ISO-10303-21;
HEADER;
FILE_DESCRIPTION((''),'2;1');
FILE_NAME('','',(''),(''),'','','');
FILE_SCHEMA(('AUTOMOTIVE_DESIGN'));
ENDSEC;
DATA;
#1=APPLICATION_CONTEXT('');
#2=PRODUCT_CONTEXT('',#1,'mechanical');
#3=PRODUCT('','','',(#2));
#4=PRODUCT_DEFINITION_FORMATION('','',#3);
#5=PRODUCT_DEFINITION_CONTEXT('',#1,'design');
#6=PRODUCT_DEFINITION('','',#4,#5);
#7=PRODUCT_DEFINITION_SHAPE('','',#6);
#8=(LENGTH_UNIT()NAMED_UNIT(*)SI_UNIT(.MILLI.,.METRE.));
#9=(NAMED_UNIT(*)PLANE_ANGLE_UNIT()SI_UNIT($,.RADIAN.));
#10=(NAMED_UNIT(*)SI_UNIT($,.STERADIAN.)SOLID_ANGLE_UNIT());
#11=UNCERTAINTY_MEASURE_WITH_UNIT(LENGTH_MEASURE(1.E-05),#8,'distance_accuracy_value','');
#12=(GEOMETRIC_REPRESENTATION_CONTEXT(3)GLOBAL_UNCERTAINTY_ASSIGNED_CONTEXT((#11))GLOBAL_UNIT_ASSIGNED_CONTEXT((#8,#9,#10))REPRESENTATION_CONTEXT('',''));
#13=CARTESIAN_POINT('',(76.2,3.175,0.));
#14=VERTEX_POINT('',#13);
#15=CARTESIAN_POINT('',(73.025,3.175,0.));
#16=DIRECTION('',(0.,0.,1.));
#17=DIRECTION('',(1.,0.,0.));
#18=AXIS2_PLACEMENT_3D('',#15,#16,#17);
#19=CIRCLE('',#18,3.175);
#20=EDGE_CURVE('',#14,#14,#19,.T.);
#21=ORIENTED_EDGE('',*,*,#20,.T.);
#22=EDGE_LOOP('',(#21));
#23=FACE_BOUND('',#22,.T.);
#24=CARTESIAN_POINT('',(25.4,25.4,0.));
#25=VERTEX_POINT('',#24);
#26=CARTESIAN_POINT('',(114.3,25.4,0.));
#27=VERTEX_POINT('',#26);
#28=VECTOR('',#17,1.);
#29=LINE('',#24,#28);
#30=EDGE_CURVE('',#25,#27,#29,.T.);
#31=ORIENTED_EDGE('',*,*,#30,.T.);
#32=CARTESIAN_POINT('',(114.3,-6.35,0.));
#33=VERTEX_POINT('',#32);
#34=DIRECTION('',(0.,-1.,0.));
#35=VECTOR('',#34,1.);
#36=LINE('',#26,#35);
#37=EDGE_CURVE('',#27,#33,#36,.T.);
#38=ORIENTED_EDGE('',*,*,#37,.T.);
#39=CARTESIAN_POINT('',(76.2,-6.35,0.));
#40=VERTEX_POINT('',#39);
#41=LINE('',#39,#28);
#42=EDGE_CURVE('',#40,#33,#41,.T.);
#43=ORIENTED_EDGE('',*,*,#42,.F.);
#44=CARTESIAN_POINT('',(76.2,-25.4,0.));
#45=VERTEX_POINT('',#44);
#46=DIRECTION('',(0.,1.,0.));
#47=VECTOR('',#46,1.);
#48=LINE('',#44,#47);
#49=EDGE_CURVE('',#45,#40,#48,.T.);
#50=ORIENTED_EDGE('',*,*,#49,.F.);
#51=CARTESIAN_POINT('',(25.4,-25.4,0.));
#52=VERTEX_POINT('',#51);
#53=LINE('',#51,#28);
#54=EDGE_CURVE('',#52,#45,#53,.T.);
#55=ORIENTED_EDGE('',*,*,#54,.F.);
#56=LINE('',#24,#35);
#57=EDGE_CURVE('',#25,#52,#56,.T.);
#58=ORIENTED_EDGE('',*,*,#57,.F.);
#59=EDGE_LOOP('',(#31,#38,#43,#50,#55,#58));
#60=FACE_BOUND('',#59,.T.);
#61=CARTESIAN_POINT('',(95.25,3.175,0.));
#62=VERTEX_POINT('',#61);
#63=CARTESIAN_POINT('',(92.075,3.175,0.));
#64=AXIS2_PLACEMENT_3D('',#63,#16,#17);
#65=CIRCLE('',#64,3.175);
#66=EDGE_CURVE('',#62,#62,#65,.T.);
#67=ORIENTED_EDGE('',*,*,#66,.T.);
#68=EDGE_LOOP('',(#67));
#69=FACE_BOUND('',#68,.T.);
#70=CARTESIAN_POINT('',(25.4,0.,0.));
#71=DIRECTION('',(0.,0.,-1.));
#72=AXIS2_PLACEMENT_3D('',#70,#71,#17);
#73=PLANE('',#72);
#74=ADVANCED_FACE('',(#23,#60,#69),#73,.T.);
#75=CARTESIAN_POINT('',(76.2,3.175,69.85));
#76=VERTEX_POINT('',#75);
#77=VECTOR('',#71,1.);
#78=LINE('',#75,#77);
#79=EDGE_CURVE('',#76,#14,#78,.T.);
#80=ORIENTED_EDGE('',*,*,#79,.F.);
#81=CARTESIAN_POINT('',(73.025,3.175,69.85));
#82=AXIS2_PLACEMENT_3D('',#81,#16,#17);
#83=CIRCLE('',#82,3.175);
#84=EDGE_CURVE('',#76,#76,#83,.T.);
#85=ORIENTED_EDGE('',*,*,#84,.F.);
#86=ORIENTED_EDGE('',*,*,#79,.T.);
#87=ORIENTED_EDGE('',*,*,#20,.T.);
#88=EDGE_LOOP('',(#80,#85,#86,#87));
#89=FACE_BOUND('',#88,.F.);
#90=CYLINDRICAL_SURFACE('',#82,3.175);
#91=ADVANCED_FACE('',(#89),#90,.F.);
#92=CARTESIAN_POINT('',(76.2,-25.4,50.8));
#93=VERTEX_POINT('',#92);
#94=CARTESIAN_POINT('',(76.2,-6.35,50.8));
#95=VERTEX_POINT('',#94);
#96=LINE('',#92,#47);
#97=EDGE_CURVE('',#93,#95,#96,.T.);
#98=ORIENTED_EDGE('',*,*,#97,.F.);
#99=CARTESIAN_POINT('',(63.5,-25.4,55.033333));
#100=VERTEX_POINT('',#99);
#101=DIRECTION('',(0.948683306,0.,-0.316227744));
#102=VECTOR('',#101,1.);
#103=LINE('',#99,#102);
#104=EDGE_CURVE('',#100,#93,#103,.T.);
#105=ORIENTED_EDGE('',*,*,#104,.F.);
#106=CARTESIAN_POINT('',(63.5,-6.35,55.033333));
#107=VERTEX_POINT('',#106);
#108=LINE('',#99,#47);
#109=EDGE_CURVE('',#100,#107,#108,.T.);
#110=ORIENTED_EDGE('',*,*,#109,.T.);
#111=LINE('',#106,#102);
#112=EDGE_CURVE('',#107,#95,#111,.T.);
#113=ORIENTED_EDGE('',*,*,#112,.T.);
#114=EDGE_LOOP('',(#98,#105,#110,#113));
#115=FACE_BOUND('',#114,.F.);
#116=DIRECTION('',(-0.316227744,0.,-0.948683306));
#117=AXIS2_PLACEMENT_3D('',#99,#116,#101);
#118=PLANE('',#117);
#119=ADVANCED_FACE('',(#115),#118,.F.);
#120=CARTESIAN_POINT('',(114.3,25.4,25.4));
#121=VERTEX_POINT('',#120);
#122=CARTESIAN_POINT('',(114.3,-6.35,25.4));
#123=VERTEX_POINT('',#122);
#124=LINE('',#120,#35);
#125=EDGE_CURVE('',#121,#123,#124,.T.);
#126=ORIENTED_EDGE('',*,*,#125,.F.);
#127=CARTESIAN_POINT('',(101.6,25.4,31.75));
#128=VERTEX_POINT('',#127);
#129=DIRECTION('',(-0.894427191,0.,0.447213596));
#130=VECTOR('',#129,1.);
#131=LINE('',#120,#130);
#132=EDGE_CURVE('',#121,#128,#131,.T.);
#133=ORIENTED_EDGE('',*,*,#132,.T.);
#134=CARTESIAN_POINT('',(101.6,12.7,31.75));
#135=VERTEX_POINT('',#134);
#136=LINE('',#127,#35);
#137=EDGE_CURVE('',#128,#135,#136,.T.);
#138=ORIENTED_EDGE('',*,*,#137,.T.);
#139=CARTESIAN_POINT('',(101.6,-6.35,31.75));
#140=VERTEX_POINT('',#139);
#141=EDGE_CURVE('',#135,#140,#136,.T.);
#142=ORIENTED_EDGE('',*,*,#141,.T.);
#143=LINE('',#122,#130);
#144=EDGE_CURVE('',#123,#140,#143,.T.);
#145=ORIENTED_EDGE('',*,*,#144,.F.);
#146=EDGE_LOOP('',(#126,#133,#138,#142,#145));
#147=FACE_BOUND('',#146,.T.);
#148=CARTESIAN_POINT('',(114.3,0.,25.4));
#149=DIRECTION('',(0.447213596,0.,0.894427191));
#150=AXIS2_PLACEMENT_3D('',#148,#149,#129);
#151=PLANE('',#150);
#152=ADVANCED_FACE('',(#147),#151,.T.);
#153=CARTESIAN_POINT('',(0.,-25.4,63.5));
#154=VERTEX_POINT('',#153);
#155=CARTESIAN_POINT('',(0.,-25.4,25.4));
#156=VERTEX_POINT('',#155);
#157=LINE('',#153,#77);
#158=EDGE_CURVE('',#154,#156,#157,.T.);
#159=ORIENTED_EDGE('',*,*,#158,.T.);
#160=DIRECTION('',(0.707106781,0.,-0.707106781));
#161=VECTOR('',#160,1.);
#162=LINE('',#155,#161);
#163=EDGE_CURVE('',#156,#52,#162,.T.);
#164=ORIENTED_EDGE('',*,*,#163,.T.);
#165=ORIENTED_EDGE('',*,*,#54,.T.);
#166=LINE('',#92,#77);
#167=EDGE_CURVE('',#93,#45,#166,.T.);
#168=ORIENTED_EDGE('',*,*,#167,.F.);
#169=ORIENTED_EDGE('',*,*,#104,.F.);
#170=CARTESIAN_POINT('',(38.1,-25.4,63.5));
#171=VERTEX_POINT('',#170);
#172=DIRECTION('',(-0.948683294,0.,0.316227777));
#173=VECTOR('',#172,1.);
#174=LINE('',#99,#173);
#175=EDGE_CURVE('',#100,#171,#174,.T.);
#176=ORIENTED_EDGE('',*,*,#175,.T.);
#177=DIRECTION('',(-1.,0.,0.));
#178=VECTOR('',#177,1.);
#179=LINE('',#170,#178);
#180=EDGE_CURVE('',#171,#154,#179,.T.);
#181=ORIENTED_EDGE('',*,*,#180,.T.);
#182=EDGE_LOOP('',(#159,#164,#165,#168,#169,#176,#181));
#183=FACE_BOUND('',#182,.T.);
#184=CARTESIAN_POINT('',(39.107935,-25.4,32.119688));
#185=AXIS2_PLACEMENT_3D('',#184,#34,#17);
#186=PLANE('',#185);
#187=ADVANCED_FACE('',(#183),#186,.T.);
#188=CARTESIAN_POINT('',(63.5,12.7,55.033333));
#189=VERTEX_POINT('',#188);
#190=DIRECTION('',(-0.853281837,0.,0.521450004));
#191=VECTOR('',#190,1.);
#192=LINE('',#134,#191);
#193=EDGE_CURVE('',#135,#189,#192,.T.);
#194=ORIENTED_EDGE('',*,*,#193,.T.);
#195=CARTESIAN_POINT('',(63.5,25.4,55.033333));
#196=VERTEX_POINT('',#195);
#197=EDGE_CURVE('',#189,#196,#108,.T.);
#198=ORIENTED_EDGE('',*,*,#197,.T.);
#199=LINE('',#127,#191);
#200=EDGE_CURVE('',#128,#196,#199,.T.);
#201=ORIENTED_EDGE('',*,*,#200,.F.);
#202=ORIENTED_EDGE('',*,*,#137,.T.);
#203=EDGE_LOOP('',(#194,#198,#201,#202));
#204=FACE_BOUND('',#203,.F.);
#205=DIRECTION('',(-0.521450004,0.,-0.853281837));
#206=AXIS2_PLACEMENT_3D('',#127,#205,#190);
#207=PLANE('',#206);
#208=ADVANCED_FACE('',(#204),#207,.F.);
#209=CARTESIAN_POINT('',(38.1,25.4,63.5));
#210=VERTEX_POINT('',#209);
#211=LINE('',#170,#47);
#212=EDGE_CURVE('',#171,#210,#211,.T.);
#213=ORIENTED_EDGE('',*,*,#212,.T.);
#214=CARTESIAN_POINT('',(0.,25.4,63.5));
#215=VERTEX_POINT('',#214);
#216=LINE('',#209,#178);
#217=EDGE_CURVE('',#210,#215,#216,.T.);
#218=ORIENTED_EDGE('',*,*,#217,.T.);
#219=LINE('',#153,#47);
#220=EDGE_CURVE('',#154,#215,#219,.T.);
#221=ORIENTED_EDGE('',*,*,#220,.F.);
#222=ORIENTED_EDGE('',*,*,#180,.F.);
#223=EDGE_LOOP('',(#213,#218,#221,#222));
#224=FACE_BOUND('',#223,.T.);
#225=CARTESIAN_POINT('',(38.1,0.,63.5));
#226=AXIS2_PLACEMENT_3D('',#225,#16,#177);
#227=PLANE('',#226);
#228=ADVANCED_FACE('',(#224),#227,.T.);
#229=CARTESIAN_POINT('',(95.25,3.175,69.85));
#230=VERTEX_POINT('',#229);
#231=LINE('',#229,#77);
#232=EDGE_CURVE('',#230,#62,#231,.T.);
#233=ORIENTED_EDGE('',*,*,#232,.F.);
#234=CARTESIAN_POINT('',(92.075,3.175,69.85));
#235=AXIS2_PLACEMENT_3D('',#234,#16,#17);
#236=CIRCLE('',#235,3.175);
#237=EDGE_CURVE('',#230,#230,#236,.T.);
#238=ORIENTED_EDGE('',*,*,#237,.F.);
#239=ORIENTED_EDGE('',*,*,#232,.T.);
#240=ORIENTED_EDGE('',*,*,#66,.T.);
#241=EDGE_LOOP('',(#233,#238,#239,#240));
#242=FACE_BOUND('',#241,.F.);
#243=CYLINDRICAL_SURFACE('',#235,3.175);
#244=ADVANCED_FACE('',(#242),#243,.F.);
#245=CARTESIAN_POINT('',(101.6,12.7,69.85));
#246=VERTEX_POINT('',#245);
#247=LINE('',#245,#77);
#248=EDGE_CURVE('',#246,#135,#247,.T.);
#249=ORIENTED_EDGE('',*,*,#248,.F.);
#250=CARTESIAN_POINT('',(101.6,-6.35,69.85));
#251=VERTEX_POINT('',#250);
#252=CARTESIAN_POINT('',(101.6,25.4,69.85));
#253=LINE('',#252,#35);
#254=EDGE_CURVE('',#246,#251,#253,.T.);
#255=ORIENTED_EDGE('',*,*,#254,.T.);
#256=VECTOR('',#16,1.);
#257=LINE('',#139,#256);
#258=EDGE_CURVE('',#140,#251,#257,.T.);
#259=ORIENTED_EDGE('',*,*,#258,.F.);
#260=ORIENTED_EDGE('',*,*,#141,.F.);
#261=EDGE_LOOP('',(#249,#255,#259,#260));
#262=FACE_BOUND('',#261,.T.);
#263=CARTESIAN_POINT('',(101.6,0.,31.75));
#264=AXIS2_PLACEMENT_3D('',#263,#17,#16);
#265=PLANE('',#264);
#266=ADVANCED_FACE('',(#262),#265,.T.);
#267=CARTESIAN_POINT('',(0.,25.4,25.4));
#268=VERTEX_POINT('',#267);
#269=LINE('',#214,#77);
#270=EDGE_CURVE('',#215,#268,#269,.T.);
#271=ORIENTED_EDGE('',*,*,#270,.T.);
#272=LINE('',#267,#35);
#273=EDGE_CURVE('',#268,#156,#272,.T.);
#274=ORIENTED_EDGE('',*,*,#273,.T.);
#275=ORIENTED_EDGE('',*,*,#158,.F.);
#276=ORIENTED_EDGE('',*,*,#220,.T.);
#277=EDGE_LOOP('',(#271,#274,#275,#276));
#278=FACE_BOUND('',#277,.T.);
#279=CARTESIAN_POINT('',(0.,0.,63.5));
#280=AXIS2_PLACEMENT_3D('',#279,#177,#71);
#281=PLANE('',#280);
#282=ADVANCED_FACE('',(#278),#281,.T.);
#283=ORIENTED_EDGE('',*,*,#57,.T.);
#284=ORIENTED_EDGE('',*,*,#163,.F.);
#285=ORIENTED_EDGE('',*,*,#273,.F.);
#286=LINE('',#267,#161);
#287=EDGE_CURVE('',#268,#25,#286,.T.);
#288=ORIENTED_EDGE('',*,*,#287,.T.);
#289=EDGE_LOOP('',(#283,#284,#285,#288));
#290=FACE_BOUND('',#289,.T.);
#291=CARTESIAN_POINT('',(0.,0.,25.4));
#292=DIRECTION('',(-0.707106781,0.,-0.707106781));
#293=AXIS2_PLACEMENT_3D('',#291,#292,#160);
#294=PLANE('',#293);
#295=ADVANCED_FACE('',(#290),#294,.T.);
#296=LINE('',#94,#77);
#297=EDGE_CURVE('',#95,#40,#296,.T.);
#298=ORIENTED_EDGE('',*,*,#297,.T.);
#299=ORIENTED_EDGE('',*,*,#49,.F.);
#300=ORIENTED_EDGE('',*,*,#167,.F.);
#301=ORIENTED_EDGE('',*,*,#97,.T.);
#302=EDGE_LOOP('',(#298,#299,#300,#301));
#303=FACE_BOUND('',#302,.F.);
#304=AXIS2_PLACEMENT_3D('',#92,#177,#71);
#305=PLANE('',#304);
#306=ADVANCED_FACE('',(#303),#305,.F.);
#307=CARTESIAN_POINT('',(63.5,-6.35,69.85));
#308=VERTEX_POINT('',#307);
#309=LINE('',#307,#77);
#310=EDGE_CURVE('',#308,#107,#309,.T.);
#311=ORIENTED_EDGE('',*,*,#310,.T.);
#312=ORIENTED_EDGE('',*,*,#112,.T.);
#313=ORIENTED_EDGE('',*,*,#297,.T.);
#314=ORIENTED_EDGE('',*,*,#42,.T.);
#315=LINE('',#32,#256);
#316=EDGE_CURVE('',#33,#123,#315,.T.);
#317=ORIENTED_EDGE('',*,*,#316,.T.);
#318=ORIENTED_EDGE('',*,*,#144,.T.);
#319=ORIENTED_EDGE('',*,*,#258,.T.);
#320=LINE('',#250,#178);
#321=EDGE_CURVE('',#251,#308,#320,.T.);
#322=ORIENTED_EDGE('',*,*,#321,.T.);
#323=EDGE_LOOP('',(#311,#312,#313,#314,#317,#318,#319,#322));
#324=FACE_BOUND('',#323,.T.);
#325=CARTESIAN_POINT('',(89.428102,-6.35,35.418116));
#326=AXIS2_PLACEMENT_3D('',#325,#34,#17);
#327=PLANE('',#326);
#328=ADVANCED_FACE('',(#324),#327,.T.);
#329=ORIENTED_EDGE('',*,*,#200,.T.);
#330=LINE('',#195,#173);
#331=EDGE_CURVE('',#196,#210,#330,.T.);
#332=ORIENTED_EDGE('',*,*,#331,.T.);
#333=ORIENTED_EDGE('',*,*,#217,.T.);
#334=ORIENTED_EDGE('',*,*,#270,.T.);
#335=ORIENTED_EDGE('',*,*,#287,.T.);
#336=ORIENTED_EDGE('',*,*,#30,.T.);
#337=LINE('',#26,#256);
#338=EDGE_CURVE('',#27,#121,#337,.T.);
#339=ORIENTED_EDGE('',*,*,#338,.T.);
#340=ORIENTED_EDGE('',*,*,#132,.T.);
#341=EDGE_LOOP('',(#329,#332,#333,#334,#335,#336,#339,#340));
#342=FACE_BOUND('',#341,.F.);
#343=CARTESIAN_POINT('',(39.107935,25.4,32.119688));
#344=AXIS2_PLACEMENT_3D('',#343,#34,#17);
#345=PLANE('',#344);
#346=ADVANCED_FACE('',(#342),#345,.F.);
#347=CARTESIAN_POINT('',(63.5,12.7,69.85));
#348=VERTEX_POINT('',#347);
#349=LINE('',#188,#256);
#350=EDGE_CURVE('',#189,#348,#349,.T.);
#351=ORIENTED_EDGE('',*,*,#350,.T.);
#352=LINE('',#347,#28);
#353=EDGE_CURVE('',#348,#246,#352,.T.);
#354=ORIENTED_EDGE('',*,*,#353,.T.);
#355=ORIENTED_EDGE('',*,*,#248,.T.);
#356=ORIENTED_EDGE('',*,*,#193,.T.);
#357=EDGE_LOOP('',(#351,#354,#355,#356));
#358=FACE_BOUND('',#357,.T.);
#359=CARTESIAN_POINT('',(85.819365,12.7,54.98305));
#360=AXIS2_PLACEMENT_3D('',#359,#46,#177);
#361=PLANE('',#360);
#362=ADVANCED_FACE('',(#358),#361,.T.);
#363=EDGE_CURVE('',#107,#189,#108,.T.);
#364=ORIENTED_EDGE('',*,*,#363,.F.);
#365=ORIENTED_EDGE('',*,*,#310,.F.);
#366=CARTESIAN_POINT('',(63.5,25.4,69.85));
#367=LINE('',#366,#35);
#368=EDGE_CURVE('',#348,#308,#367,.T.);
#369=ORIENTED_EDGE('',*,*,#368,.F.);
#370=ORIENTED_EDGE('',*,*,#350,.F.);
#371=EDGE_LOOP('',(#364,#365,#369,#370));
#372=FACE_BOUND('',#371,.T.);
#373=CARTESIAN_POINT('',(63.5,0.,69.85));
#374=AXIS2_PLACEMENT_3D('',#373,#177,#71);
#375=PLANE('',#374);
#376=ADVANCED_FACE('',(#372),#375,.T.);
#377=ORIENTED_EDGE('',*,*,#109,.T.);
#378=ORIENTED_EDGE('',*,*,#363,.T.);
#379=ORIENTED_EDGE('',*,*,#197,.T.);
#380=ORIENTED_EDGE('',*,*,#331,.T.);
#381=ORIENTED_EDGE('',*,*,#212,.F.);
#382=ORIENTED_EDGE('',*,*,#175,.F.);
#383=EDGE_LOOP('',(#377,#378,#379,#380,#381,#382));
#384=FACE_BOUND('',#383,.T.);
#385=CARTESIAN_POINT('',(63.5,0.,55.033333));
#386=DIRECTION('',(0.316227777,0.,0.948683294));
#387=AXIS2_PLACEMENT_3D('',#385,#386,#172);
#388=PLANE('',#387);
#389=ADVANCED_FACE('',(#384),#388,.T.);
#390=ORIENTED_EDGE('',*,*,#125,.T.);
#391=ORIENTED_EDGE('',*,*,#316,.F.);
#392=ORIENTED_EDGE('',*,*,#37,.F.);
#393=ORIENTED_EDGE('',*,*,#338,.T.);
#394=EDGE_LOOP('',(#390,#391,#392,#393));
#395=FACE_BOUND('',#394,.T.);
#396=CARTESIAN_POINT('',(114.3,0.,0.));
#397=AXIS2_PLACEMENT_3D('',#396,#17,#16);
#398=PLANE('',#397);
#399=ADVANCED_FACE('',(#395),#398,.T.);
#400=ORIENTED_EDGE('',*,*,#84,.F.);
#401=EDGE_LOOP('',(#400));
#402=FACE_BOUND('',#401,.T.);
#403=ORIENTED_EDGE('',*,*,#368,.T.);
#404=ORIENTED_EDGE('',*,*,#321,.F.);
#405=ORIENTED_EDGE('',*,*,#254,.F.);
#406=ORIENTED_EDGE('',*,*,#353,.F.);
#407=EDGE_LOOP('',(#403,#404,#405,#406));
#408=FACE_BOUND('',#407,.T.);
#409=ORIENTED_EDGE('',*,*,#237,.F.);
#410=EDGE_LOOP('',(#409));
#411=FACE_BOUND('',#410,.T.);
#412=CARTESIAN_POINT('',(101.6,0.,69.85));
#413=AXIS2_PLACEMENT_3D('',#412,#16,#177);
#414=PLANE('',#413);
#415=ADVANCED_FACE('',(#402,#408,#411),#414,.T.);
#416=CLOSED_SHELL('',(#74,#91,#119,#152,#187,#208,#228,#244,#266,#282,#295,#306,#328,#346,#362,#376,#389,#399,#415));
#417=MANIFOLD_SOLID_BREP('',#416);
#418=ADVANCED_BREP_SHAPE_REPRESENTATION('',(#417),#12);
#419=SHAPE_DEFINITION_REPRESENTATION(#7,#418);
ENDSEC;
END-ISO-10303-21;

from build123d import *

# Parameters (mm, degrees)
F1_DEPTH = 25.4
F3_DEPTH = 19.05
F5_DEPTH = 12.7
F6_R     = 3.175
F7_DEPTH = 69.851


with BuildPart() as f1:
    # F0 (on Front) → F1 (new body, symmetric)
    with BuildSketch(Plane.XZ):
        Polygon((0, 63.5), (0, 25.4), (25.4, 0), (76.2, 0), (76.2, 50.8), (63.5, 55.033333), (38.1, 63.5), align=None)
        Polygon((76.2, 50.8), (76.2, 0), (114.3, 0), (114.3, 25.4), (101.6, 31.75), (101.6, 69.85), (76.2, 69.85), align=None)
        Polygon((63.5, 55.033333), (76.2, 50.8), (76.2, 69.85), (63.5, 69.85), align=None)
    extrude(amount=F1_DEPTH, both=True)

    # F2 (on face) → F3 (cut)
    with BuildSketch(Plane.XZ.offset(25.4)):
        Polygon((76.2, 0), (114.3, 0), (114.3, 25.4), (101.6, 31.75), (101.6, 69.85), (63.5, 69.85), (63.5, 55.033333), (76.2, 50.8), align=None)
    extrude(amount=-F3_DEPTH, mode=Mode.SUBTRACT)

    # F4 (on face) → F5 (cut)
    with BuildSketch(Plane(origin=(0, 25.4, 0), x_dir=(-1, 0, 0), z_dir=(0, 1, 0))):
        Polygon((-101.6, 69.85), (-101.6, 31.75), (-63.5, 55.033333), (-63.5, 69.85), align=None)
    extrude(amount=-F5_DEPTH, mode=Mode.SUBTRACT)

    # F6 (on face) → F7 (cut, through all)
    with BuildSketch(Plane.XY.offset(69.85)):
        with Locations((73.025, 3.175)):
            Circle(F6_R)
        with Locations((92.075, 3.175)):
            Circle(F6_R)
    extrude(amount=-F7_DEPTH, mode=Mode.SUBTRACT)


solid = f1.part
